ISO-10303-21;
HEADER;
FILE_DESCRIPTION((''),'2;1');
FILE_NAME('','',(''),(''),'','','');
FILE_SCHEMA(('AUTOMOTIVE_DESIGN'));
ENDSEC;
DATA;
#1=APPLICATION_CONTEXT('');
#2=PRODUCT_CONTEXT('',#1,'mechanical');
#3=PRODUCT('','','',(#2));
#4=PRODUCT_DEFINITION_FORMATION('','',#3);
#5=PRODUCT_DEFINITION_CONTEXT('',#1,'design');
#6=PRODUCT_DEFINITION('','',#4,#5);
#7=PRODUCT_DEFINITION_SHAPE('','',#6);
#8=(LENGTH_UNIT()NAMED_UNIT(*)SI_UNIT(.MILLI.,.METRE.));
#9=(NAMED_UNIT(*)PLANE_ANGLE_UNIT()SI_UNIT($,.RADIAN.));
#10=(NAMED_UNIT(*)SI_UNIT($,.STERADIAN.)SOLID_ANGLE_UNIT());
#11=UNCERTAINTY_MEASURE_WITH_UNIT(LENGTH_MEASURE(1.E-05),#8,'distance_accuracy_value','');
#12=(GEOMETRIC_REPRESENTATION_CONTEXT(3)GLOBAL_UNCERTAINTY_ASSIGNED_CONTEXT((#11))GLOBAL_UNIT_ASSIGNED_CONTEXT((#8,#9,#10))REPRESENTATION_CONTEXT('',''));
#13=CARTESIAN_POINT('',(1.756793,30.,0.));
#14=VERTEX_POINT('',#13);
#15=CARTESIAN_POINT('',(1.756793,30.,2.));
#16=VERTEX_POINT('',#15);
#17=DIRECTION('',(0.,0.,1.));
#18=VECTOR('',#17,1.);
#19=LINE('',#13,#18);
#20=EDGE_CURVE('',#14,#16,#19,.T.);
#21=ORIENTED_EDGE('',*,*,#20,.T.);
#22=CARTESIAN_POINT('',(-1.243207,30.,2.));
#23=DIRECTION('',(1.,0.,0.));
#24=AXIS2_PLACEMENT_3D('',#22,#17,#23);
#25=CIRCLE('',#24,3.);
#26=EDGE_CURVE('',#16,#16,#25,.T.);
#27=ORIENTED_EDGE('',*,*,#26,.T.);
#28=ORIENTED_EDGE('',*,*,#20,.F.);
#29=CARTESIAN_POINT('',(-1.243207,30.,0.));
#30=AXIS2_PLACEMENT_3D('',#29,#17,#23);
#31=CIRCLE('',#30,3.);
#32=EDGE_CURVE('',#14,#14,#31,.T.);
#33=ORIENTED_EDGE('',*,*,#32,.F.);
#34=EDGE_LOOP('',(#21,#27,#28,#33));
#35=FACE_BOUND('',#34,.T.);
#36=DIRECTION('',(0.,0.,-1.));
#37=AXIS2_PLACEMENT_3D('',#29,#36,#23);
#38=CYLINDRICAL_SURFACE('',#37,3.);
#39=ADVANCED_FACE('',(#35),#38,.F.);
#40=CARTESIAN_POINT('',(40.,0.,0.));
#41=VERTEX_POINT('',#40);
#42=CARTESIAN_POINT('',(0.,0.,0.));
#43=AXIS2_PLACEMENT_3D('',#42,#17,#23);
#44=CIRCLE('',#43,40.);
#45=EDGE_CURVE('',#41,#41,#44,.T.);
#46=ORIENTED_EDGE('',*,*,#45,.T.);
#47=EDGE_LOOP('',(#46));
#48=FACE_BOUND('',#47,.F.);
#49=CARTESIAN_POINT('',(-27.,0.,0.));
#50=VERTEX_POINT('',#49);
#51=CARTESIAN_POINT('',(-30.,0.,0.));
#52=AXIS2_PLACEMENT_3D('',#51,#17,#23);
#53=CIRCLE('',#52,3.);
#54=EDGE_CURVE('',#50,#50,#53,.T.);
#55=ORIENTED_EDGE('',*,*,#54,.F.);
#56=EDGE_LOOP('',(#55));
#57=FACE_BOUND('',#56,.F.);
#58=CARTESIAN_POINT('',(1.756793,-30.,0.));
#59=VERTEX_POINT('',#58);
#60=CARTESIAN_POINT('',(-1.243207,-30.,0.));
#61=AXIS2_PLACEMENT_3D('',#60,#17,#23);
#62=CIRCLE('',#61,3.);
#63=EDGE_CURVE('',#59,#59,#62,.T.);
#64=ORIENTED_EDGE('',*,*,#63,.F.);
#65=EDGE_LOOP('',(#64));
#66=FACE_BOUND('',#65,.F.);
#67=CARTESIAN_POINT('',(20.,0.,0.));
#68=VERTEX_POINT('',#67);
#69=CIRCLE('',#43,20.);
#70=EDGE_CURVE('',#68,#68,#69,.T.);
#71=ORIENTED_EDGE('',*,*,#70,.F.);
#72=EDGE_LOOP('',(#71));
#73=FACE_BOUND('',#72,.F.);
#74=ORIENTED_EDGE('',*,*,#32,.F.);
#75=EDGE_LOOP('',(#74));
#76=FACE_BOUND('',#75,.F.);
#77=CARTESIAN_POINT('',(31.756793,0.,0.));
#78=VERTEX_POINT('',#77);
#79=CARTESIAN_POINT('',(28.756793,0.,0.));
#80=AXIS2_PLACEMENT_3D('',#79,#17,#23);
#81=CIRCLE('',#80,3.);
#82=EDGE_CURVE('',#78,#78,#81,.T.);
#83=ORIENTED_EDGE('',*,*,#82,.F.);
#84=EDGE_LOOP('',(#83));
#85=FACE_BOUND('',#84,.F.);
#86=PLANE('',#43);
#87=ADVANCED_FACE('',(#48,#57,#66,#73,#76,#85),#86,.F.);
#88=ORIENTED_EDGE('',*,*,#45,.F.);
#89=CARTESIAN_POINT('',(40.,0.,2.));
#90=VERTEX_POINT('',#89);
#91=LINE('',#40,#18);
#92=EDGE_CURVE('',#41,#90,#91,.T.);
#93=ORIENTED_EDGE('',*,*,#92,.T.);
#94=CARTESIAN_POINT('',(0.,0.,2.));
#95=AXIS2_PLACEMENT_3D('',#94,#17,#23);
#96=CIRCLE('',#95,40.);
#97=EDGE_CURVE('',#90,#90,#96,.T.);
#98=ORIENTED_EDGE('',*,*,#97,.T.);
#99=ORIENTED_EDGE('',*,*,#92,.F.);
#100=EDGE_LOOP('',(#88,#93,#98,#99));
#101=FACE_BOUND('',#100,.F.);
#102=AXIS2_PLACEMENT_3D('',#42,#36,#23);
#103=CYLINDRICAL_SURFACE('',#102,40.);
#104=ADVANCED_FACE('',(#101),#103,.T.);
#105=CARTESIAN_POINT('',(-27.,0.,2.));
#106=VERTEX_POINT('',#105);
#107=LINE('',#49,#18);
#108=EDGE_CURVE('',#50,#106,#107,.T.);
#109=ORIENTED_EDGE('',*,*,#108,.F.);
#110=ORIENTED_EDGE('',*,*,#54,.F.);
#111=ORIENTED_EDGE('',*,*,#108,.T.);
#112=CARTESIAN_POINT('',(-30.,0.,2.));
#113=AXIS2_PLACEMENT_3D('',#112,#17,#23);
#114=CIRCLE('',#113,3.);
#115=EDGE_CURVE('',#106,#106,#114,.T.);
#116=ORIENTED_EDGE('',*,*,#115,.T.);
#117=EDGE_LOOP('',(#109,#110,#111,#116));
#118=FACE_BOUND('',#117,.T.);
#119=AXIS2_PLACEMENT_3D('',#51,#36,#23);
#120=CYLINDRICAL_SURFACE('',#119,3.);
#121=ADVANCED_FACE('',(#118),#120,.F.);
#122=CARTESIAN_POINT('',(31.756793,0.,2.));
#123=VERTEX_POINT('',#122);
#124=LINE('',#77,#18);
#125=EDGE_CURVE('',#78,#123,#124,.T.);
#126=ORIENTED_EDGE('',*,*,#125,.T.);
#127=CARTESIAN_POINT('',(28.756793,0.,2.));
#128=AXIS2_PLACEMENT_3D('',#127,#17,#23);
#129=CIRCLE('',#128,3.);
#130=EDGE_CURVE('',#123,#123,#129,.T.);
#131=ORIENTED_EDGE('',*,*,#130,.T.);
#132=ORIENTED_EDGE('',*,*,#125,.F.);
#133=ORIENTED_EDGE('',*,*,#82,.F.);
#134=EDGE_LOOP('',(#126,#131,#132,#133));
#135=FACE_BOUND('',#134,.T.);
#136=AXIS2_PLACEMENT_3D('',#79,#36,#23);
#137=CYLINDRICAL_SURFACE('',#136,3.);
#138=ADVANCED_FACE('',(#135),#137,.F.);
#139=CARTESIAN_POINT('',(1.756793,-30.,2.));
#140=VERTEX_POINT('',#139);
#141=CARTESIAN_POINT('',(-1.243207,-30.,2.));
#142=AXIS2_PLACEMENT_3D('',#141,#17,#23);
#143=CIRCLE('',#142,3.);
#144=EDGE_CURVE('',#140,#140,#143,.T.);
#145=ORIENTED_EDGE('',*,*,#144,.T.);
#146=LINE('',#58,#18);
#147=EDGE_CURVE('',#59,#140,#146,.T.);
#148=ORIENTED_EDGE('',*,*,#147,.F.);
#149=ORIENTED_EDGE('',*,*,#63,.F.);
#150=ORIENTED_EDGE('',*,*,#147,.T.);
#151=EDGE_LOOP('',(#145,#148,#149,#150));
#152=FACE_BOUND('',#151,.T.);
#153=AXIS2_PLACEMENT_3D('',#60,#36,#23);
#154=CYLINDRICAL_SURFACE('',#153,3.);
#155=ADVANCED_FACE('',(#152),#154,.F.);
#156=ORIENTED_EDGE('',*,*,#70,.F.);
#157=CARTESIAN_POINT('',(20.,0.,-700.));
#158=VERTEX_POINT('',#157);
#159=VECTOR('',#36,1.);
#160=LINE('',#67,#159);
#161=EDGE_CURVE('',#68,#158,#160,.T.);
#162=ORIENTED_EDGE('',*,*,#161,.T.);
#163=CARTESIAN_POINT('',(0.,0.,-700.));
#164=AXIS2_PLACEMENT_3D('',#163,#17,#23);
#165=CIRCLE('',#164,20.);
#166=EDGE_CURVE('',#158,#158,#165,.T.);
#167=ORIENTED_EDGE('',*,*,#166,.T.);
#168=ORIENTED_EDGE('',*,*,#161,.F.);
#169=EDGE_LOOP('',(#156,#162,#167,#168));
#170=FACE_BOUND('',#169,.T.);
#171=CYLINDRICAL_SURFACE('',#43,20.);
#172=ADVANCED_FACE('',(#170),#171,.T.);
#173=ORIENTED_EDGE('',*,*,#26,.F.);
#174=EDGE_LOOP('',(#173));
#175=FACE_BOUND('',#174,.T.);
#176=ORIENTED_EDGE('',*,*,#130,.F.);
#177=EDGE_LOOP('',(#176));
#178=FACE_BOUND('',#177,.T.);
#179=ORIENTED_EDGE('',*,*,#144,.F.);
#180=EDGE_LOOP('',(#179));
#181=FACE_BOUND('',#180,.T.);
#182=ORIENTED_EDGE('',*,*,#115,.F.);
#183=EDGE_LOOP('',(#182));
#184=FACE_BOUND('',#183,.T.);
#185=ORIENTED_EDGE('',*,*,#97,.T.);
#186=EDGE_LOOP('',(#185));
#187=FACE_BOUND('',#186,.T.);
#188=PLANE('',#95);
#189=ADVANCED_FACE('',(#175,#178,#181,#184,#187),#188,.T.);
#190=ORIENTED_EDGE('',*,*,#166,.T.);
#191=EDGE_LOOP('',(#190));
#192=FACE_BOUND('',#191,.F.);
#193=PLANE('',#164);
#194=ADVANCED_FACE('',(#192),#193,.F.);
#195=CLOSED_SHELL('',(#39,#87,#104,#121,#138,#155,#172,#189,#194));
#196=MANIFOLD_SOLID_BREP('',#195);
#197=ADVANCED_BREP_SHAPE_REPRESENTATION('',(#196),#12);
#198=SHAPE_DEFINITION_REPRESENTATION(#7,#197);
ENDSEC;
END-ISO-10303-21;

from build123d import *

# Parameters (mm, degrees)
F0_R     = 20
F1_DEPTH = 700
F2_R     = 40
F2_R_2   = 3
F3_DEPTH = 2


with BuildPart() as f1:
    # F0 (on Top) → F1 (new body)
    with BuildSketch(Plane.XY):
        Circle(F0_R)
    extrude(amount=-F1_DEPTH)

    # F2 (on Top) → F3 (join)
    with BuildSketch(Plane.XY):
        Circle(F2_R)
        with Locations((-1.2432069331, -30)):
            Circle(F2_R_2, mode=Mode.SUBTRACT)
        with Locations((-30, 0)):
            Circle(F2_R_2, mode=Mode.SUBTRACT)
        with Locations((-1.2432069331, 30)):
            Circle(F2_R_2, mode=Mode.SUBTRACT)
        with Locations((28.7567930669, 0)):
            Circle(F2_R_2, mode=Mode.SUBTRACT)
    extrude(amount=F3_DEPTH)


solid = f1.part
